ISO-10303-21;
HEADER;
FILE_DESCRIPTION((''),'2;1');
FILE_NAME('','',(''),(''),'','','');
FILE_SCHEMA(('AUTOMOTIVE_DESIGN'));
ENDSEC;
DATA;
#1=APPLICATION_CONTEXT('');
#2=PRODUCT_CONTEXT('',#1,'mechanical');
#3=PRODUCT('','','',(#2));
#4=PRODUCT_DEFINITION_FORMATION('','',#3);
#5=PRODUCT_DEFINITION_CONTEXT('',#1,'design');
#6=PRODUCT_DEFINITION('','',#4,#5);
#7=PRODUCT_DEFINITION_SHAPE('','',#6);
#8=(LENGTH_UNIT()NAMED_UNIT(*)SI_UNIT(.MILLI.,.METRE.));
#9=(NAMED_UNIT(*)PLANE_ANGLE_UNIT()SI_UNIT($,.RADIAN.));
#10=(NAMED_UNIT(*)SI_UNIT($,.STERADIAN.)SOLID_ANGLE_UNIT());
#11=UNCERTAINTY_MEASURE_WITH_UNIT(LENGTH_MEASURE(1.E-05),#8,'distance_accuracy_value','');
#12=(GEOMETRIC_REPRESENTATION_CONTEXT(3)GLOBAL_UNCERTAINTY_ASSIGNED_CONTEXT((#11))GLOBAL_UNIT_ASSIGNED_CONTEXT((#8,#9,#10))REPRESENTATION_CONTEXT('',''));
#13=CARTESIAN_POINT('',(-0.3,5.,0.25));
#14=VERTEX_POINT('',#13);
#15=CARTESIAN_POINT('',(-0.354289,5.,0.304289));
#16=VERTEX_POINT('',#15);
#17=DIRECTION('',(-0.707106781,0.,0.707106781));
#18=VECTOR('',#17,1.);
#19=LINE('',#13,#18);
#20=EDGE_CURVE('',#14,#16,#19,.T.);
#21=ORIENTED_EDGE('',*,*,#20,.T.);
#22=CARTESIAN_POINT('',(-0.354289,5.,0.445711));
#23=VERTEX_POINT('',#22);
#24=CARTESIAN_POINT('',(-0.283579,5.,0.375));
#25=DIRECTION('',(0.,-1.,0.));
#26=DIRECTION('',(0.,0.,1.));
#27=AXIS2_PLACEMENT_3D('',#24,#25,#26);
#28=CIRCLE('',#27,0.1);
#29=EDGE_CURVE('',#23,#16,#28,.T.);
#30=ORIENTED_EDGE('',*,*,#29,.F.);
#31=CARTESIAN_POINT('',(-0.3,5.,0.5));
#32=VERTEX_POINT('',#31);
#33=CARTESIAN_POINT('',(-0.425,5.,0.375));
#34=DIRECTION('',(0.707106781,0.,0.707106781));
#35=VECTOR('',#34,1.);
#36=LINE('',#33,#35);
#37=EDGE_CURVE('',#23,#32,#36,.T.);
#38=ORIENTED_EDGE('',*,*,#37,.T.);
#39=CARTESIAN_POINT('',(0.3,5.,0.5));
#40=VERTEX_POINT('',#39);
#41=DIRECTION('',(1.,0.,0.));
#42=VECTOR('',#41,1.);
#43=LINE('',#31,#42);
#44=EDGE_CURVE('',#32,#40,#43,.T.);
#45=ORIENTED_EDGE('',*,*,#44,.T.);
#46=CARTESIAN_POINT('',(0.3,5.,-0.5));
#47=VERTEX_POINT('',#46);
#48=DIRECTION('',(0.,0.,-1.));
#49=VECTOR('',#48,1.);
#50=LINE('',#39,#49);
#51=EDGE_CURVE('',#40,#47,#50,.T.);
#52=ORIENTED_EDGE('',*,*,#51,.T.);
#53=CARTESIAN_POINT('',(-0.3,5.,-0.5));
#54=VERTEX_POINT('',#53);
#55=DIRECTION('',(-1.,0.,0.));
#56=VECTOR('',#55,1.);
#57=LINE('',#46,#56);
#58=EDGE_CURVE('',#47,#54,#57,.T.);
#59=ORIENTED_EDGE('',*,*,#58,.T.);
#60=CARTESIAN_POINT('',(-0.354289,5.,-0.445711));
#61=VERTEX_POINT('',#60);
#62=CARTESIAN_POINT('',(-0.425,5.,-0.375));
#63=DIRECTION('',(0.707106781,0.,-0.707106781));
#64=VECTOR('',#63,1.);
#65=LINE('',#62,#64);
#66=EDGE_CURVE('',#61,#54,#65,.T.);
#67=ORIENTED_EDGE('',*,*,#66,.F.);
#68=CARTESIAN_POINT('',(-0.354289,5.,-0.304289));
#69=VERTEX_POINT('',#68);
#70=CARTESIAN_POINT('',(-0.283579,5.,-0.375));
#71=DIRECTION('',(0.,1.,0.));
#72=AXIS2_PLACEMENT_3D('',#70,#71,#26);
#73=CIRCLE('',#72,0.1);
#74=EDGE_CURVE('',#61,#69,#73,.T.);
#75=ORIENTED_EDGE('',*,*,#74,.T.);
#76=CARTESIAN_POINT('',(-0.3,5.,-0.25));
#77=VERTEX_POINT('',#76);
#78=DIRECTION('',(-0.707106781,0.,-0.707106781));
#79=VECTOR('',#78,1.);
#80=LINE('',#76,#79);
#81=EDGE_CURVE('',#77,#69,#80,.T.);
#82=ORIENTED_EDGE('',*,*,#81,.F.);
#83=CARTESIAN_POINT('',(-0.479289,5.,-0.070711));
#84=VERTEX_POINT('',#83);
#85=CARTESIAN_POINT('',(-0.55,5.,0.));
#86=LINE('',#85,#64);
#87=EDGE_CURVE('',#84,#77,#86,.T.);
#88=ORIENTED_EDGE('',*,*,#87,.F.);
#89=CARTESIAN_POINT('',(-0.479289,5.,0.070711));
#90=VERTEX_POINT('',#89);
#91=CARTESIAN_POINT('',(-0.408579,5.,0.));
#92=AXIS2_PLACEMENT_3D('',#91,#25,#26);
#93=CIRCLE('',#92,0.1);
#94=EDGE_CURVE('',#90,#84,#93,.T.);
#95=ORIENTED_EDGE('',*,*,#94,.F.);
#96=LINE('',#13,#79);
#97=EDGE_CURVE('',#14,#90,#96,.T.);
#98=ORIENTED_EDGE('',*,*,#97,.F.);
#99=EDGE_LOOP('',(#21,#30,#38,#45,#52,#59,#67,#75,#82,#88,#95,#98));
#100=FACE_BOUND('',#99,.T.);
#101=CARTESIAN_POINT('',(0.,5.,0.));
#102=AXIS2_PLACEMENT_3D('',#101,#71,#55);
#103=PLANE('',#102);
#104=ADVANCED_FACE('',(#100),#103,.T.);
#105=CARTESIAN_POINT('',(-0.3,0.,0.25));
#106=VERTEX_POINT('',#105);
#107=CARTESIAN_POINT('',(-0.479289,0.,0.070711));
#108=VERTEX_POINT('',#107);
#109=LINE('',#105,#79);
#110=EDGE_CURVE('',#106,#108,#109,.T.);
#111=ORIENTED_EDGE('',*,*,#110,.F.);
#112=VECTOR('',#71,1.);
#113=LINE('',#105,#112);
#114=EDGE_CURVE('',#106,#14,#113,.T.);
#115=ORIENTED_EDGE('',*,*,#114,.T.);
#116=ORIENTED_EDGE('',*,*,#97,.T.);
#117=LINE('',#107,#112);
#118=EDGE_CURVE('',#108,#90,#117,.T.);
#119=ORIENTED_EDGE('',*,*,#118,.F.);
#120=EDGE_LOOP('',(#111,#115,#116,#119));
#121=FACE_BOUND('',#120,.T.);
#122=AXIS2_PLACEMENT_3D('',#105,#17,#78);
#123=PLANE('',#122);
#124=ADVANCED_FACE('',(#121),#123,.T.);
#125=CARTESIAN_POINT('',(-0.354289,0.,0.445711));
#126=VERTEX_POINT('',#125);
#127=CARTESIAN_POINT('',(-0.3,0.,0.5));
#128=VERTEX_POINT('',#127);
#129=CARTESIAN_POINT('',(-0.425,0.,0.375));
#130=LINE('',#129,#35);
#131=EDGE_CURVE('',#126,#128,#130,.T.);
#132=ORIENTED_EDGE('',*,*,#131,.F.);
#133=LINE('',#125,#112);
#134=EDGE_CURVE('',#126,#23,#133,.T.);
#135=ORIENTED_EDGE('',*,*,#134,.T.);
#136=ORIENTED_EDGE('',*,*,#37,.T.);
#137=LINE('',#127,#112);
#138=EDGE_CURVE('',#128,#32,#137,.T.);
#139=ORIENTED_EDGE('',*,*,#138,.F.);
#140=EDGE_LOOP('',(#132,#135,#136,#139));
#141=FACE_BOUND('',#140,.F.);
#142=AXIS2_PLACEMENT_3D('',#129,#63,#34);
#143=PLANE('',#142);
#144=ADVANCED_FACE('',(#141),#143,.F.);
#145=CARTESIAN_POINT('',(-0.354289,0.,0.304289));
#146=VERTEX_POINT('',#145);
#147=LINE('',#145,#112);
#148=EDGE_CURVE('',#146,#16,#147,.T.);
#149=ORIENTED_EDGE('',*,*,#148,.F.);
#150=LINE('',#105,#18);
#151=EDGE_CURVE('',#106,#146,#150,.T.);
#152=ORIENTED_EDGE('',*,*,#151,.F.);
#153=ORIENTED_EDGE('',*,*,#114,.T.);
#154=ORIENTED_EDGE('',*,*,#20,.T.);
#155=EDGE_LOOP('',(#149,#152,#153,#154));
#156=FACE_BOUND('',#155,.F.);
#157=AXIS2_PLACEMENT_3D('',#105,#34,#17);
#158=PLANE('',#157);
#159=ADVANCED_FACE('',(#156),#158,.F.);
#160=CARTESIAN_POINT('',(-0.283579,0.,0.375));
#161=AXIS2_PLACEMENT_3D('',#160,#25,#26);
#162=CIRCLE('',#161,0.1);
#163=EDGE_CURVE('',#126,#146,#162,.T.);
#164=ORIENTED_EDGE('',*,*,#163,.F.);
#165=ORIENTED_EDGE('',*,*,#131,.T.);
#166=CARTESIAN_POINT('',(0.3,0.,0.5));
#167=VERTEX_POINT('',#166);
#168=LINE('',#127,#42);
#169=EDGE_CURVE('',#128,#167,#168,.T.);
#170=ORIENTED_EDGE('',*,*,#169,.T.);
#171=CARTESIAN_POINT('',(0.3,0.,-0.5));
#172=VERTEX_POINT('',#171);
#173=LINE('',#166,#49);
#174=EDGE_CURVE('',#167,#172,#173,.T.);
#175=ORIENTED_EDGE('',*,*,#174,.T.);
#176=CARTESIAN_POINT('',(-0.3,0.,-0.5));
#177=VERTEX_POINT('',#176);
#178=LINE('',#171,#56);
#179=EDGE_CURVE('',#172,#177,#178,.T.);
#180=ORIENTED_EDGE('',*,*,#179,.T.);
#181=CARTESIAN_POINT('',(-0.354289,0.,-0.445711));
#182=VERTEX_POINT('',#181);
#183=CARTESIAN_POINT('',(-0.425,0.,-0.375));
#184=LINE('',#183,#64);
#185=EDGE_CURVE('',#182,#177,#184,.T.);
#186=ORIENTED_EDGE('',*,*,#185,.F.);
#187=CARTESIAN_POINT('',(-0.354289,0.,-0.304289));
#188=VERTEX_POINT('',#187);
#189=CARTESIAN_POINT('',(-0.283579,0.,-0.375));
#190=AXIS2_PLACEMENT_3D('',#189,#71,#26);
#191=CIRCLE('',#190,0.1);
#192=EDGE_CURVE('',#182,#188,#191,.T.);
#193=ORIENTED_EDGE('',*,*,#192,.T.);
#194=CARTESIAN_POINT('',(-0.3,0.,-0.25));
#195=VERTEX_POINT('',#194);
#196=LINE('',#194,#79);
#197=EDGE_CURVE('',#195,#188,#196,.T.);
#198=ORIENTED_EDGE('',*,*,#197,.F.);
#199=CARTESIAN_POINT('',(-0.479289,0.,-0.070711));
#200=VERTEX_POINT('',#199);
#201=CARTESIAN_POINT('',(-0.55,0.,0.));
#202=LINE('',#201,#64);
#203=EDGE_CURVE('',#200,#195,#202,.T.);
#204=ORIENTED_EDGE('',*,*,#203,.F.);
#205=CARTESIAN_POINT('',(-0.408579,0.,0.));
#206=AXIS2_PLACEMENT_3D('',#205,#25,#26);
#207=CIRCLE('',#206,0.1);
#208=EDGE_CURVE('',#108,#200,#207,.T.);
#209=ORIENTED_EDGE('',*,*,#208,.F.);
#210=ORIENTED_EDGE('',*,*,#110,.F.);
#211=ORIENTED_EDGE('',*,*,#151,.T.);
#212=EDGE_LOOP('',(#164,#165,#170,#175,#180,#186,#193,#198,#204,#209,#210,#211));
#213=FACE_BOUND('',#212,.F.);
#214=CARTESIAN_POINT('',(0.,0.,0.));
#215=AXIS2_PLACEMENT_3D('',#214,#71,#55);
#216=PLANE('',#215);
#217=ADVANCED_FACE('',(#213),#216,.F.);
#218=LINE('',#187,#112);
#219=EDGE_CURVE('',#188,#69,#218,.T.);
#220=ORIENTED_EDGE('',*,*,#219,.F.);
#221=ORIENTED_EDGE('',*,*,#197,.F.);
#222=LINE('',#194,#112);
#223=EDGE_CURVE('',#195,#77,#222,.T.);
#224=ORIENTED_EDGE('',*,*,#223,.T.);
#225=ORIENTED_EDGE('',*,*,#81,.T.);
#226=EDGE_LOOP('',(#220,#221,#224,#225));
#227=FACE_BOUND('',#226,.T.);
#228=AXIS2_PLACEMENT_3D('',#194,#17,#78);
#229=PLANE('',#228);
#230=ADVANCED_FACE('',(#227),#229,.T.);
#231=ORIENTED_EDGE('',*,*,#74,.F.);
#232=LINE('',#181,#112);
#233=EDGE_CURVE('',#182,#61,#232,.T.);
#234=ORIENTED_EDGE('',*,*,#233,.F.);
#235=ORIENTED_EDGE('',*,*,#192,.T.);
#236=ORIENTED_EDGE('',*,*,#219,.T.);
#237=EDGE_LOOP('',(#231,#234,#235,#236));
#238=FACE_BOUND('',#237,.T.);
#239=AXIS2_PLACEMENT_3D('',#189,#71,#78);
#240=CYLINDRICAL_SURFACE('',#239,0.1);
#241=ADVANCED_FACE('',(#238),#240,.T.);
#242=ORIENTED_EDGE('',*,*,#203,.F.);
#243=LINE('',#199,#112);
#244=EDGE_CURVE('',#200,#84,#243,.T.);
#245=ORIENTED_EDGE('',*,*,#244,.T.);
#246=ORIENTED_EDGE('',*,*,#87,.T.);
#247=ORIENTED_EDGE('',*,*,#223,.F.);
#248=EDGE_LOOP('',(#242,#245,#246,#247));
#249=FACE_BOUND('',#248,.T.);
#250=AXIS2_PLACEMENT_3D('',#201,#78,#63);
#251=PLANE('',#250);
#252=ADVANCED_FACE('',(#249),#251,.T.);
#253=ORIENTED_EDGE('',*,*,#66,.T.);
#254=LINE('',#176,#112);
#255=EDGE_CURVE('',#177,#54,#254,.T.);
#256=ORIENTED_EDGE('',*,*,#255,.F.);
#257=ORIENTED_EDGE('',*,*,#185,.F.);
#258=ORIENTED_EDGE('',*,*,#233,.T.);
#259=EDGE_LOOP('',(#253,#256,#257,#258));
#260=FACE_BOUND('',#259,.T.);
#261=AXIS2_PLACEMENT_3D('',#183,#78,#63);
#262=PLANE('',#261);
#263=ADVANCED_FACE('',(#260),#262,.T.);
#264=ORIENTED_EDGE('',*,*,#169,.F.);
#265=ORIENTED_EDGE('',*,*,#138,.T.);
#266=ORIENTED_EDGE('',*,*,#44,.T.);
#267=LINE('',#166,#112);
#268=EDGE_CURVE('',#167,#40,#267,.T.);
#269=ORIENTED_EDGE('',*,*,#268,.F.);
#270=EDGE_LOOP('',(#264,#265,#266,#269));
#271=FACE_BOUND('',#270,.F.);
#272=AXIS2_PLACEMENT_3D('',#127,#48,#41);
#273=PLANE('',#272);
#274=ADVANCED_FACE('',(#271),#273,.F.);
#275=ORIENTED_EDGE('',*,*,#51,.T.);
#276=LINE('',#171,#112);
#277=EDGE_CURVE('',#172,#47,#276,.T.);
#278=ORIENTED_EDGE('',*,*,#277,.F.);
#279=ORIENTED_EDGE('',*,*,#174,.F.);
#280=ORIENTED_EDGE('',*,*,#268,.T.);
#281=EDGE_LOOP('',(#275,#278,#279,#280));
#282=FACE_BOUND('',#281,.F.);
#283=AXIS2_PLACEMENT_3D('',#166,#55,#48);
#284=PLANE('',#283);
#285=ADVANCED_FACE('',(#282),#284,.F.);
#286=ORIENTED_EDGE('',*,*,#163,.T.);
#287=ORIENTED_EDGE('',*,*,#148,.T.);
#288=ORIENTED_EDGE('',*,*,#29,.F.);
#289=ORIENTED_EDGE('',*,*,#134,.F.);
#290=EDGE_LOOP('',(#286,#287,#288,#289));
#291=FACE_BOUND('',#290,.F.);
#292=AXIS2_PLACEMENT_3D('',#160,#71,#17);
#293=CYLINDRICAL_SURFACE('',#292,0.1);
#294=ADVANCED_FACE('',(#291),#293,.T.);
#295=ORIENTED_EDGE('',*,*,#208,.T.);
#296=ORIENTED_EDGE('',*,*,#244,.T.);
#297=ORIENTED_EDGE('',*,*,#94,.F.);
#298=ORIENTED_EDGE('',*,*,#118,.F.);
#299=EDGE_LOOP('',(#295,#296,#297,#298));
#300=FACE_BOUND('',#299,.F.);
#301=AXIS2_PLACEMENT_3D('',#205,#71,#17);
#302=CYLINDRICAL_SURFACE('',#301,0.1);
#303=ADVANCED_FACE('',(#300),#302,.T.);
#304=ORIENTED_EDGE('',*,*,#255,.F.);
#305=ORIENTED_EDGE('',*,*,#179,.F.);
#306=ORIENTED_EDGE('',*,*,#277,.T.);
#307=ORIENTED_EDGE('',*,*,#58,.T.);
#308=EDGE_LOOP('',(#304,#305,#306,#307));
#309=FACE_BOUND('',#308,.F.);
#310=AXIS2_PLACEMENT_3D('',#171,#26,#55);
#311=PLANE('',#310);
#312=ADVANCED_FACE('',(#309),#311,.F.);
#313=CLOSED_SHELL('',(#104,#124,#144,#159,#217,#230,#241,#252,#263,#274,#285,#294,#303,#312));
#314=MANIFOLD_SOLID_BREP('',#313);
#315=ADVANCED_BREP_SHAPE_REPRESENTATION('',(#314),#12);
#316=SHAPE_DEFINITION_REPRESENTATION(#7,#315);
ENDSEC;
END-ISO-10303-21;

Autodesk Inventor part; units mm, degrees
ref_plane "YZ Plane" through (0, 0, 0) normal (1, 0, 0) x (0, 1, 0)
ref_plane "XZ Plane" through (0, 0, 0) normal (0, 1, 0) x (-1, 0, 0)
ref_plane "XY Plane" through (0, 0, 0) normal (0, 0, 1) x (1, 0, 0)
sketch "草圖1" plane through (0, 0, 0) normal (0, 1, 0) x (-1, 0, 0)
  line L0 (-0.3, 0.5) -> (-0.3, -0.5)
  line L1 (-0.3, -0.5) -> (0.3, -0.5)
  line L2 (0.3, -0.5) -> (0.3, 0.5)
  line L3 (0.3, 0.5) -> (-0.3, 0.5)
  line L4 (-0.3, 0.5) -> (0.3, -0.5) construction
  line L5 (-0.3, -0.5) -> (0.3, 0.5) construction
  line L6 (0.3, 0.5) -> (0.3, 0.25)
  line L7 (0.3, 0.25) -> (0.3, -0.25)
  line L8 (0.3, -0.25) -> (0.3, -0.5)
  line L9 (0.3, 0.25) -> (0.55, 0)
  line L10 (0.55, 0) -> (0.3, -0.25)
  line L11 (0.3, -0.25) -> (0.425, -0.375)
  line L12 (0.425, -0.375) -> (0.3, -0.5)
  line L13 (0.3, 0.25) -> (0.425, 0.375)
  line L14 (0.425, 0.375) -> (0.3, 0.5)
  point P0 (0, 0)
  dimension "d0" = 1
  dimension "d1" = 0.6
  dimension "d2" = 0.25
  dimension "d3" = 0.5
  dimension "d4" = 45
extrude "擠出1" add sketch "草圖1" along normal blind 5
fillet "圓角1" radius 0.1 3 edges at (-0.55, 2.5, 0) (-0.425, 2.5, -0.375) (-0.425, 2.5, 0.375)
properties part number "窗間柱_無底"
